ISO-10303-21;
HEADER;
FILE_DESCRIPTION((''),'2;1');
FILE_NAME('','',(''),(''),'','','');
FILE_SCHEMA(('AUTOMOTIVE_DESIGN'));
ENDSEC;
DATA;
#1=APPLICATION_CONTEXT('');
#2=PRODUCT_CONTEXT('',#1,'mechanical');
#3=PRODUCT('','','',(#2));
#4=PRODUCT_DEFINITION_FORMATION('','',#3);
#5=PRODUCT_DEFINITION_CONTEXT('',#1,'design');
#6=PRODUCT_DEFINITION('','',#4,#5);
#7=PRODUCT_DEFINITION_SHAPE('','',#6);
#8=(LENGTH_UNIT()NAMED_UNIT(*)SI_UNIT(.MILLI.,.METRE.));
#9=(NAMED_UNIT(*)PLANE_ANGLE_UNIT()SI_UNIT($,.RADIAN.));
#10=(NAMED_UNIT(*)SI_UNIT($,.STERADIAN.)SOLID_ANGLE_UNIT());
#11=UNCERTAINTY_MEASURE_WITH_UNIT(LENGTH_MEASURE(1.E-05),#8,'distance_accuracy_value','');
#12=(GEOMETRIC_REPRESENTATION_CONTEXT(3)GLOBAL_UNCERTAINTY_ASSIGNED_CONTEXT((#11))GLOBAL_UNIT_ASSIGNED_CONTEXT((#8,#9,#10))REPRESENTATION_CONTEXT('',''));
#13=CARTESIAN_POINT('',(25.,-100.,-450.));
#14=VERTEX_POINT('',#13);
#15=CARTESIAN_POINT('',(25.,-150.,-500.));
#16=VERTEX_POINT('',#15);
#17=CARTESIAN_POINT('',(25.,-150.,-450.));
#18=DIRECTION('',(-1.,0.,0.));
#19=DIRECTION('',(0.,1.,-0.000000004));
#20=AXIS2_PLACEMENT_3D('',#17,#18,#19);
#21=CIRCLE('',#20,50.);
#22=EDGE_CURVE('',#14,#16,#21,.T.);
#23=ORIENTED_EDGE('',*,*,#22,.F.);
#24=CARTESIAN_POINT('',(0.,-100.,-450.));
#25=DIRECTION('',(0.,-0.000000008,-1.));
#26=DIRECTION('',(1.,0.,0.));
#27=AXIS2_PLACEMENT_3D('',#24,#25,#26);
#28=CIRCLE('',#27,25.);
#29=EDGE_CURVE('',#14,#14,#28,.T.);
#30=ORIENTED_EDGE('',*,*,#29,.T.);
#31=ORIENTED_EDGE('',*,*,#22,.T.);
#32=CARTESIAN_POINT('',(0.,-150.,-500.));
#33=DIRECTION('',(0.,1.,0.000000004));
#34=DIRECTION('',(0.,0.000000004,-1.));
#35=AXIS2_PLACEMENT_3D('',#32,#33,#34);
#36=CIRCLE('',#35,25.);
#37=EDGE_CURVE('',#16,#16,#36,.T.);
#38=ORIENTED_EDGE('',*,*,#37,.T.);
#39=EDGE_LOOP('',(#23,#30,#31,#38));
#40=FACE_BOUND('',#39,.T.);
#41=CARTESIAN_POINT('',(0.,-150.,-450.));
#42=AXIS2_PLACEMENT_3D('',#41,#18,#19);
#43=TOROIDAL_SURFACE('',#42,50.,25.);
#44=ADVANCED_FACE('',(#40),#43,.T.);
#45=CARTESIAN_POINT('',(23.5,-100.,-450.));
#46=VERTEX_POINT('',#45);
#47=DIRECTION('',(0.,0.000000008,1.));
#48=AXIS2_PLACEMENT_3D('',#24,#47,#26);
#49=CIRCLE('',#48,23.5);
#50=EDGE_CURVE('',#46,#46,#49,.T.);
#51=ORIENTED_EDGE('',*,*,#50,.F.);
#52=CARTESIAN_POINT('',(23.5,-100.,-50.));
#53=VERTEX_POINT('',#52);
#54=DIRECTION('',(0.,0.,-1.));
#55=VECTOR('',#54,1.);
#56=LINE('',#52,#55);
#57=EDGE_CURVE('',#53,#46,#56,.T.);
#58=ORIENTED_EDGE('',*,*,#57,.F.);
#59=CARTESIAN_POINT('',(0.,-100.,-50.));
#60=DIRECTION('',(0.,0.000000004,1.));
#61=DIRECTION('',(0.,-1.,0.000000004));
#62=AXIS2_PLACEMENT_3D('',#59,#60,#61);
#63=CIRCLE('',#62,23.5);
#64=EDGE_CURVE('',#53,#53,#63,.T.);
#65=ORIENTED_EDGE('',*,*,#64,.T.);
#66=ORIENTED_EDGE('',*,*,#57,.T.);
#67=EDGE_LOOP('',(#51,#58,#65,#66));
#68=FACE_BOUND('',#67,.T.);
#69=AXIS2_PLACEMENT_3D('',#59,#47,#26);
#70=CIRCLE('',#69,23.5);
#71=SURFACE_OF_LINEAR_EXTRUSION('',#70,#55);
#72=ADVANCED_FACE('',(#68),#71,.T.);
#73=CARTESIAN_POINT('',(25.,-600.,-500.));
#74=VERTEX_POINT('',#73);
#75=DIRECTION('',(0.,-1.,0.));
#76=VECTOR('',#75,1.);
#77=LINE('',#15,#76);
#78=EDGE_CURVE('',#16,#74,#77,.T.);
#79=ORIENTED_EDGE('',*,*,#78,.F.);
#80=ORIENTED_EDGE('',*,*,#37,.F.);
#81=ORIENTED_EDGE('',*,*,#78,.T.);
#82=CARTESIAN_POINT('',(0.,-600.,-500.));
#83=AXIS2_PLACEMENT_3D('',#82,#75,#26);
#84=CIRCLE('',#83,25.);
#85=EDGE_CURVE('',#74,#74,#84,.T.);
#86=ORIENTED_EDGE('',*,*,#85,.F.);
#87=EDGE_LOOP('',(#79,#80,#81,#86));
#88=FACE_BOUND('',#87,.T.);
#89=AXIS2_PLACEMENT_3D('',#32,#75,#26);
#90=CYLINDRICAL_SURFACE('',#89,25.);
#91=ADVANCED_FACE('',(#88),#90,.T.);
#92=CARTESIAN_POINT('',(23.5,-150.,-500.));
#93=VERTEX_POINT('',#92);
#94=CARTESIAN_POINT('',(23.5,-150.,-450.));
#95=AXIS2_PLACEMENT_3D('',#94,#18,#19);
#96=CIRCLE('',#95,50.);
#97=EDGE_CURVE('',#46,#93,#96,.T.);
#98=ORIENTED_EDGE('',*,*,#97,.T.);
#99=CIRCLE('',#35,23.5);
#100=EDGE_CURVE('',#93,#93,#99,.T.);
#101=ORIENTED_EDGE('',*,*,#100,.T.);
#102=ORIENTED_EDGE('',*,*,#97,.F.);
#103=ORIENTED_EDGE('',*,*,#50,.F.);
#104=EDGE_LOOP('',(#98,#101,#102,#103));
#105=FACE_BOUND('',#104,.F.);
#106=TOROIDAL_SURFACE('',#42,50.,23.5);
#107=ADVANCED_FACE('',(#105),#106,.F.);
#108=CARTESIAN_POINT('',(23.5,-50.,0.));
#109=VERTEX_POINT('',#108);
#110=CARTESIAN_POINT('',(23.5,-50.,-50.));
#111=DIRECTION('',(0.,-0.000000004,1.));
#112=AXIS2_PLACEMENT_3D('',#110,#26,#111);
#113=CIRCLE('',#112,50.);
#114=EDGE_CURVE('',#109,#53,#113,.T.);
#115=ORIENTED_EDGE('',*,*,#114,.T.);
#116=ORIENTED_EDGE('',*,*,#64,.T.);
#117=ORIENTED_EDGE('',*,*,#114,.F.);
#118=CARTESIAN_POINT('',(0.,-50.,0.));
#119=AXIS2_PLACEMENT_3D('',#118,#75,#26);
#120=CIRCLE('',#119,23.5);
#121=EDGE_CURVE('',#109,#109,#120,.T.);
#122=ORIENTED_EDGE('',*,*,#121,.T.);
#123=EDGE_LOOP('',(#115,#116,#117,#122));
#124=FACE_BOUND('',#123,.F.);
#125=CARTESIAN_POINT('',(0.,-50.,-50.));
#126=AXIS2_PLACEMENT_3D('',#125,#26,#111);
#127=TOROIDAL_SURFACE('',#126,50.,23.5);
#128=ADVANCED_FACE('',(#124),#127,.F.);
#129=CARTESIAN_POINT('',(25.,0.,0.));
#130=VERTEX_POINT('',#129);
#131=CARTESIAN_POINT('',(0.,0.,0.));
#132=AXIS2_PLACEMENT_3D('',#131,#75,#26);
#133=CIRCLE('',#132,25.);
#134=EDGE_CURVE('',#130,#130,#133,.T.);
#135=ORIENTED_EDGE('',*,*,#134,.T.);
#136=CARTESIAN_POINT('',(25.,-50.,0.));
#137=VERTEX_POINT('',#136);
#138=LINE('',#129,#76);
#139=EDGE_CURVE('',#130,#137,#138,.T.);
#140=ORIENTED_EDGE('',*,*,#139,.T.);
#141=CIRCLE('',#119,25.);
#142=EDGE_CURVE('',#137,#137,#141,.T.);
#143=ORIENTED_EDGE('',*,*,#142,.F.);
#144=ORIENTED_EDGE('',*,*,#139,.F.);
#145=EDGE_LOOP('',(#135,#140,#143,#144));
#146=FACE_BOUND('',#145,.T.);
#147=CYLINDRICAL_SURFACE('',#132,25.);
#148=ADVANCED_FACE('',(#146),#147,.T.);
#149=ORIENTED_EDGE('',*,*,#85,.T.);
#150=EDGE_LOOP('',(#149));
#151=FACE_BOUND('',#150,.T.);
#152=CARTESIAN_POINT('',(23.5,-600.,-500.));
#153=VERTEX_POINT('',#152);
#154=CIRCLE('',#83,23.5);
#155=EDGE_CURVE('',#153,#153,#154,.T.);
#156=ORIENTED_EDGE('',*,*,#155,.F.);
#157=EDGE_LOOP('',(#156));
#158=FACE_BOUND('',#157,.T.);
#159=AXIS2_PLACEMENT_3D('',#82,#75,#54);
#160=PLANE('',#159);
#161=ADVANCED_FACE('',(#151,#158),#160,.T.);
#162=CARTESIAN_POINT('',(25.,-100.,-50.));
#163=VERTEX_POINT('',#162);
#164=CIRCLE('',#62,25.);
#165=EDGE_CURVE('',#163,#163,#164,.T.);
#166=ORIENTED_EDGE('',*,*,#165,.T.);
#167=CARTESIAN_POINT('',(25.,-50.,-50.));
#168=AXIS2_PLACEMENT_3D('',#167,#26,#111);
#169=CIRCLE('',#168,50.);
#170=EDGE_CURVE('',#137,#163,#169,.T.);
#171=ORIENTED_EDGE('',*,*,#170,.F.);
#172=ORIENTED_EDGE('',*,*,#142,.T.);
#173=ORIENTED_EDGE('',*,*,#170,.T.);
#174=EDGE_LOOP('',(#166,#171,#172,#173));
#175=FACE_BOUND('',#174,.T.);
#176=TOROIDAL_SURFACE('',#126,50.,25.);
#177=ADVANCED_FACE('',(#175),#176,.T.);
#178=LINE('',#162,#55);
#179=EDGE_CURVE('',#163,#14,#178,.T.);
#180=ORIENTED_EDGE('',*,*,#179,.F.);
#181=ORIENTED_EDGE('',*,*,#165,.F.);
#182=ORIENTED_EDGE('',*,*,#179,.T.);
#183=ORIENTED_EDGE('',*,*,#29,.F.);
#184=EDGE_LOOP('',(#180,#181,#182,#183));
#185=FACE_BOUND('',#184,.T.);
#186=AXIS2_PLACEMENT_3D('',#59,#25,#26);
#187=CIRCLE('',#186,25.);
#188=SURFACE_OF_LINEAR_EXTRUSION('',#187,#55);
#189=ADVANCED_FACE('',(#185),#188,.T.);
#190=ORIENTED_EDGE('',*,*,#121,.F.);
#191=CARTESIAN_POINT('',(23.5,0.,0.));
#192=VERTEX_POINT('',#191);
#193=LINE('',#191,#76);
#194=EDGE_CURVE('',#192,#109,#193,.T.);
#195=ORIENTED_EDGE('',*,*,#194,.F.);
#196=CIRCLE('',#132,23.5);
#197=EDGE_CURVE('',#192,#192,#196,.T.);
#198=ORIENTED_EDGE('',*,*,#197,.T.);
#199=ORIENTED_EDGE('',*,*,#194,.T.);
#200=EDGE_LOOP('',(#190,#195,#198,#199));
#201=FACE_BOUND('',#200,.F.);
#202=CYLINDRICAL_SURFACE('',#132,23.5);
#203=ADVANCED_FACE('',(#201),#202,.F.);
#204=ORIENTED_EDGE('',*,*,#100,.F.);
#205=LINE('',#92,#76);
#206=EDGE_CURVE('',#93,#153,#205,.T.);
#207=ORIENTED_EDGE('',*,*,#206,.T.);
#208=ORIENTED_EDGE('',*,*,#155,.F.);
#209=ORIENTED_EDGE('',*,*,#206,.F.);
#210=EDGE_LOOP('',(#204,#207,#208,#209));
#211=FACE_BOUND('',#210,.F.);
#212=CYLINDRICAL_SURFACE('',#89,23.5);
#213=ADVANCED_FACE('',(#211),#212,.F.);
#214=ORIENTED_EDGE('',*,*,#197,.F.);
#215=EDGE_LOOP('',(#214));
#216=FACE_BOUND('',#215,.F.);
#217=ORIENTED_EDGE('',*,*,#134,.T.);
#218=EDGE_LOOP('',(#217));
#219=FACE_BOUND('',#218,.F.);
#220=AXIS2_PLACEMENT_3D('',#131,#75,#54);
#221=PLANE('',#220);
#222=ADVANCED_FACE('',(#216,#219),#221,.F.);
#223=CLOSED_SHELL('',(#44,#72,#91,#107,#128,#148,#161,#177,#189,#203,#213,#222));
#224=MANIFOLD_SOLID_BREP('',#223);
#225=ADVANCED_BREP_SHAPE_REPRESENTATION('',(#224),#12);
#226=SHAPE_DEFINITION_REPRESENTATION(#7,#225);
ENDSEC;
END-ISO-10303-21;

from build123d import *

# Parameters (mm, degrees)
F0_R   = 25
F0_R_2 = 23.5


with BuildPart() as f2:
    # F2: sweep along a path in F1
    with BuildLine(Plane.YZ) as f2_path:
        Line((0, 0), (-50, 0))
        ThreePointArc((-50, 0), (-85.355339, -14.644661), (-100, -50))
        Line((-100, -50), (-100, -450))
        ThreePointArc((-100, -450), (-114.644661, -485.355339), (-150, -500))
        Line((-150, -500), (-600, -500))
    # F0 (on Front) → F2 (sweep)
    with BuildSketch(Plane.XZ):
        Circle(F0_R)
        Circle(F0_R_2, mode=Mode.SUBTRACT)
    sweep(path=f2_path.line)


solid = f2.part
